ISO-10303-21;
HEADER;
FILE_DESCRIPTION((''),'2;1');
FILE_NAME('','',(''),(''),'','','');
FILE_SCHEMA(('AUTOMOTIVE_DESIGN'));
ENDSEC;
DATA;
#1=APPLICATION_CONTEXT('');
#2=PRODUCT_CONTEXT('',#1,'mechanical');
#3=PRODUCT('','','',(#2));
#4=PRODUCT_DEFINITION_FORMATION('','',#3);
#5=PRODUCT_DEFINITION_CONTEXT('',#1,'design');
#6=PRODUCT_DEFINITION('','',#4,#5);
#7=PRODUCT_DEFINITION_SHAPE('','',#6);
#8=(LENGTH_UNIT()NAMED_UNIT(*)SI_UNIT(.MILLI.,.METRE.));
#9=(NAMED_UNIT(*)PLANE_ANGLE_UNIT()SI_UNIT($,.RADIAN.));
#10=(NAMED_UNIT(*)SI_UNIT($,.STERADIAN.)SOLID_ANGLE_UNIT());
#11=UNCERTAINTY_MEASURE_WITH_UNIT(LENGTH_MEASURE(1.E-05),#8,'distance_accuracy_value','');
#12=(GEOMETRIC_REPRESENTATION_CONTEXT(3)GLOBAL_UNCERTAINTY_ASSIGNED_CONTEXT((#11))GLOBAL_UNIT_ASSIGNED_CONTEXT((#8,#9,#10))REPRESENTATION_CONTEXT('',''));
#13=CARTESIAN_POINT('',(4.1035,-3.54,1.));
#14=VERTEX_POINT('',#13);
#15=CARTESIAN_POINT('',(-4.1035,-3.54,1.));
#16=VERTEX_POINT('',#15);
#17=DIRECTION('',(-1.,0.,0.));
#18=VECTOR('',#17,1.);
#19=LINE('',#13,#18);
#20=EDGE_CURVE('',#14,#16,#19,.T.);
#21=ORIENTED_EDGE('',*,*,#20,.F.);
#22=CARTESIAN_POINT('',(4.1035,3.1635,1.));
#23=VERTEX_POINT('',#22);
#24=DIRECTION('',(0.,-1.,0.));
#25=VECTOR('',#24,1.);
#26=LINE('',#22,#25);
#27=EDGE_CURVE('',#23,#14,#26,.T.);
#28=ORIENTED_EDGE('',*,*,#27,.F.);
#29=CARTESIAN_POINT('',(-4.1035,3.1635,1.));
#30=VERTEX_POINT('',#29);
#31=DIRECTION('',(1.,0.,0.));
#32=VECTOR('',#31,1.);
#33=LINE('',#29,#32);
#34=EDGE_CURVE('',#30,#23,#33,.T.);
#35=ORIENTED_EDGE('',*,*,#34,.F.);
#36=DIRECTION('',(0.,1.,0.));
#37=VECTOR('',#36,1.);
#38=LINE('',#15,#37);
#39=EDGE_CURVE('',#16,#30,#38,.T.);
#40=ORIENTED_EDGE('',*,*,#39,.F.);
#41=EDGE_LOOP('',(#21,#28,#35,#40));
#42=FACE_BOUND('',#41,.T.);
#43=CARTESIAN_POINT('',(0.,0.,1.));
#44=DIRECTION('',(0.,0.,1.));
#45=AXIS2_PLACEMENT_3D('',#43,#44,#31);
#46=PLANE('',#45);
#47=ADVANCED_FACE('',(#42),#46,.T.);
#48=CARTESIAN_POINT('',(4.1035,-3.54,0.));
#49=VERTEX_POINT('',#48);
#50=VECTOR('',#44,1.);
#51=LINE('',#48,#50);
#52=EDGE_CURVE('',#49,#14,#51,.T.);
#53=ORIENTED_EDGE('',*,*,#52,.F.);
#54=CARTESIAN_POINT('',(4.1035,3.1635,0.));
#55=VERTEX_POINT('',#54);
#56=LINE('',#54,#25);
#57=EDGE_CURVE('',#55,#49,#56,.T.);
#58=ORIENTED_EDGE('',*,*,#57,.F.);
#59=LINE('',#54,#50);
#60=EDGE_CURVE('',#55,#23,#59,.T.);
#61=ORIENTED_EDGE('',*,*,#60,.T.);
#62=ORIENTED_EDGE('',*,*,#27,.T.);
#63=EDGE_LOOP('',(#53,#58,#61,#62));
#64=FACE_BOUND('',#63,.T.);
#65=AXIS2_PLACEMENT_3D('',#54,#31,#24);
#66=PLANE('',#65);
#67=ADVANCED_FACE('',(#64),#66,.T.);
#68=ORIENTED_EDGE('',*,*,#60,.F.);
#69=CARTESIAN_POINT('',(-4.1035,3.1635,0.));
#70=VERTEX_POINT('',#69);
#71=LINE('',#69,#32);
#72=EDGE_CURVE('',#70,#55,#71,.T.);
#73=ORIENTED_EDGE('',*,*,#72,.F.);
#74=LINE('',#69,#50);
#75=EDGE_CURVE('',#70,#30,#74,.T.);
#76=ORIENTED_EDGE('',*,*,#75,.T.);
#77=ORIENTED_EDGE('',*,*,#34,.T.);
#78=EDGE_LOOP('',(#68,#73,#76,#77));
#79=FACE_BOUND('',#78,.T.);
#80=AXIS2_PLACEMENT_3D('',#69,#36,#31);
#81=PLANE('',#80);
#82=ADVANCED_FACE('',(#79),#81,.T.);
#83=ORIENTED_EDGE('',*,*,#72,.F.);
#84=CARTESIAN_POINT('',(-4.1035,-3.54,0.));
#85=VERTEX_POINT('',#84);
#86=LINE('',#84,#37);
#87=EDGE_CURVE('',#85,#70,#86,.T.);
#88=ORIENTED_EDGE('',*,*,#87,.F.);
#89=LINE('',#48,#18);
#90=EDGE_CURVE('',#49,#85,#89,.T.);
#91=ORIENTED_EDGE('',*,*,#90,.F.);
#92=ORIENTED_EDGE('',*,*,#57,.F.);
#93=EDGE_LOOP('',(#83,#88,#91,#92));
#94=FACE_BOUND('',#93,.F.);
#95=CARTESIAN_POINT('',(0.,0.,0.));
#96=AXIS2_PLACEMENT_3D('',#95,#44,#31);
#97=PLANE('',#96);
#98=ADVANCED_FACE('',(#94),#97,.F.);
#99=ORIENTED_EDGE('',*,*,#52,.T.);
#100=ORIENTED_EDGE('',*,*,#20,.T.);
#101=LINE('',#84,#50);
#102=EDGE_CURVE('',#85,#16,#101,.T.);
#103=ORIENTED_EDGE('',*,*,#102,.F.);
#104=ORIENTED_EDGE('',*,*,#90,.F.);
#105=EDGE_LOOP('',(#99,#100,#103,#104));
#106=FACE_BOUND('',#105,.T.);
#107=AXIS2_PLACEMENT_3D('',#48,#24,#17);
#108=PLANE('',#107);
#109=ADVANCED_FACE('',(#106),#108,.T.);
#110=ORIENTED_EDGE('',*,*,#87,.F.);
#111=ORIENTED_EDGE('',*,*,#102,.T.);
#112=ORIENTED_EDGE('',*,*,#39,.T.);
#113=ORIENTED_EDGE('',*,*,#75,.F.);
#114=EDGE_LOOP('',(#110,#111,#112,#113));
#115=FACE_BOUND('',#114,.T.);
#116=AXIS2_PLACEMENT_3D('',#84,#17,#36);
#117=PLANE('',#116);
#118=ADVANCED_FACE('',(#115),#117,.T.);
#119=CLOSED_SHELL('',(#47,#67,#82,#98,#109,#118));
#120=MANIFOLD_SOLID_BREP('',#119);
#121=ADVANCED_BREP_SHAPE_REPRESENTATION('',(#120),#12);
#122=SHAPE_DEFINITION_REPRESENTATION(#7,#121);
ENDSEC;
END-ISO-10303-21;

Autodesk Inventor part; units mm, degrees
ref_plane "YZ Plane" through (0, 0, 0) normal (1, 0, 0) x (0, 1, 0)
ref_plane "XZ Plane" through (0, 0, 0) normal (0, 1, 0) x (-1, 0, 0)
ref_plane "XY Plane" through (0, 0, 0) normal (0, 0, 1) x (1, 0, 0)
sketch "PHOENIX-TERMINAL-3PIN, PHOENIX-TERMINAL-3PIN_1" plane through (0, 0, 0) normal (0, 0, 1) x (1, 0, 0)
  line L0 (-4.1035, 3.1635) -> (4.1035, 3.1635)
  line L1 (4.1035, 3.1635) -> (4.1035, -3.54)
  line L2 (4.1035, -3.54) -> (-4.1035, -3.54)
  line L3 (-4.1035, -3.54) -> (-4.1035, 3.1635)
extrude "Extrusion1" add sketch "PHOENIX-TERMINAL-3PIN, PHOENIX-TERMINAL-3PIN_1" along normal blind 1
properties part number "PHOENIX-TERMINAL-3PIN"
